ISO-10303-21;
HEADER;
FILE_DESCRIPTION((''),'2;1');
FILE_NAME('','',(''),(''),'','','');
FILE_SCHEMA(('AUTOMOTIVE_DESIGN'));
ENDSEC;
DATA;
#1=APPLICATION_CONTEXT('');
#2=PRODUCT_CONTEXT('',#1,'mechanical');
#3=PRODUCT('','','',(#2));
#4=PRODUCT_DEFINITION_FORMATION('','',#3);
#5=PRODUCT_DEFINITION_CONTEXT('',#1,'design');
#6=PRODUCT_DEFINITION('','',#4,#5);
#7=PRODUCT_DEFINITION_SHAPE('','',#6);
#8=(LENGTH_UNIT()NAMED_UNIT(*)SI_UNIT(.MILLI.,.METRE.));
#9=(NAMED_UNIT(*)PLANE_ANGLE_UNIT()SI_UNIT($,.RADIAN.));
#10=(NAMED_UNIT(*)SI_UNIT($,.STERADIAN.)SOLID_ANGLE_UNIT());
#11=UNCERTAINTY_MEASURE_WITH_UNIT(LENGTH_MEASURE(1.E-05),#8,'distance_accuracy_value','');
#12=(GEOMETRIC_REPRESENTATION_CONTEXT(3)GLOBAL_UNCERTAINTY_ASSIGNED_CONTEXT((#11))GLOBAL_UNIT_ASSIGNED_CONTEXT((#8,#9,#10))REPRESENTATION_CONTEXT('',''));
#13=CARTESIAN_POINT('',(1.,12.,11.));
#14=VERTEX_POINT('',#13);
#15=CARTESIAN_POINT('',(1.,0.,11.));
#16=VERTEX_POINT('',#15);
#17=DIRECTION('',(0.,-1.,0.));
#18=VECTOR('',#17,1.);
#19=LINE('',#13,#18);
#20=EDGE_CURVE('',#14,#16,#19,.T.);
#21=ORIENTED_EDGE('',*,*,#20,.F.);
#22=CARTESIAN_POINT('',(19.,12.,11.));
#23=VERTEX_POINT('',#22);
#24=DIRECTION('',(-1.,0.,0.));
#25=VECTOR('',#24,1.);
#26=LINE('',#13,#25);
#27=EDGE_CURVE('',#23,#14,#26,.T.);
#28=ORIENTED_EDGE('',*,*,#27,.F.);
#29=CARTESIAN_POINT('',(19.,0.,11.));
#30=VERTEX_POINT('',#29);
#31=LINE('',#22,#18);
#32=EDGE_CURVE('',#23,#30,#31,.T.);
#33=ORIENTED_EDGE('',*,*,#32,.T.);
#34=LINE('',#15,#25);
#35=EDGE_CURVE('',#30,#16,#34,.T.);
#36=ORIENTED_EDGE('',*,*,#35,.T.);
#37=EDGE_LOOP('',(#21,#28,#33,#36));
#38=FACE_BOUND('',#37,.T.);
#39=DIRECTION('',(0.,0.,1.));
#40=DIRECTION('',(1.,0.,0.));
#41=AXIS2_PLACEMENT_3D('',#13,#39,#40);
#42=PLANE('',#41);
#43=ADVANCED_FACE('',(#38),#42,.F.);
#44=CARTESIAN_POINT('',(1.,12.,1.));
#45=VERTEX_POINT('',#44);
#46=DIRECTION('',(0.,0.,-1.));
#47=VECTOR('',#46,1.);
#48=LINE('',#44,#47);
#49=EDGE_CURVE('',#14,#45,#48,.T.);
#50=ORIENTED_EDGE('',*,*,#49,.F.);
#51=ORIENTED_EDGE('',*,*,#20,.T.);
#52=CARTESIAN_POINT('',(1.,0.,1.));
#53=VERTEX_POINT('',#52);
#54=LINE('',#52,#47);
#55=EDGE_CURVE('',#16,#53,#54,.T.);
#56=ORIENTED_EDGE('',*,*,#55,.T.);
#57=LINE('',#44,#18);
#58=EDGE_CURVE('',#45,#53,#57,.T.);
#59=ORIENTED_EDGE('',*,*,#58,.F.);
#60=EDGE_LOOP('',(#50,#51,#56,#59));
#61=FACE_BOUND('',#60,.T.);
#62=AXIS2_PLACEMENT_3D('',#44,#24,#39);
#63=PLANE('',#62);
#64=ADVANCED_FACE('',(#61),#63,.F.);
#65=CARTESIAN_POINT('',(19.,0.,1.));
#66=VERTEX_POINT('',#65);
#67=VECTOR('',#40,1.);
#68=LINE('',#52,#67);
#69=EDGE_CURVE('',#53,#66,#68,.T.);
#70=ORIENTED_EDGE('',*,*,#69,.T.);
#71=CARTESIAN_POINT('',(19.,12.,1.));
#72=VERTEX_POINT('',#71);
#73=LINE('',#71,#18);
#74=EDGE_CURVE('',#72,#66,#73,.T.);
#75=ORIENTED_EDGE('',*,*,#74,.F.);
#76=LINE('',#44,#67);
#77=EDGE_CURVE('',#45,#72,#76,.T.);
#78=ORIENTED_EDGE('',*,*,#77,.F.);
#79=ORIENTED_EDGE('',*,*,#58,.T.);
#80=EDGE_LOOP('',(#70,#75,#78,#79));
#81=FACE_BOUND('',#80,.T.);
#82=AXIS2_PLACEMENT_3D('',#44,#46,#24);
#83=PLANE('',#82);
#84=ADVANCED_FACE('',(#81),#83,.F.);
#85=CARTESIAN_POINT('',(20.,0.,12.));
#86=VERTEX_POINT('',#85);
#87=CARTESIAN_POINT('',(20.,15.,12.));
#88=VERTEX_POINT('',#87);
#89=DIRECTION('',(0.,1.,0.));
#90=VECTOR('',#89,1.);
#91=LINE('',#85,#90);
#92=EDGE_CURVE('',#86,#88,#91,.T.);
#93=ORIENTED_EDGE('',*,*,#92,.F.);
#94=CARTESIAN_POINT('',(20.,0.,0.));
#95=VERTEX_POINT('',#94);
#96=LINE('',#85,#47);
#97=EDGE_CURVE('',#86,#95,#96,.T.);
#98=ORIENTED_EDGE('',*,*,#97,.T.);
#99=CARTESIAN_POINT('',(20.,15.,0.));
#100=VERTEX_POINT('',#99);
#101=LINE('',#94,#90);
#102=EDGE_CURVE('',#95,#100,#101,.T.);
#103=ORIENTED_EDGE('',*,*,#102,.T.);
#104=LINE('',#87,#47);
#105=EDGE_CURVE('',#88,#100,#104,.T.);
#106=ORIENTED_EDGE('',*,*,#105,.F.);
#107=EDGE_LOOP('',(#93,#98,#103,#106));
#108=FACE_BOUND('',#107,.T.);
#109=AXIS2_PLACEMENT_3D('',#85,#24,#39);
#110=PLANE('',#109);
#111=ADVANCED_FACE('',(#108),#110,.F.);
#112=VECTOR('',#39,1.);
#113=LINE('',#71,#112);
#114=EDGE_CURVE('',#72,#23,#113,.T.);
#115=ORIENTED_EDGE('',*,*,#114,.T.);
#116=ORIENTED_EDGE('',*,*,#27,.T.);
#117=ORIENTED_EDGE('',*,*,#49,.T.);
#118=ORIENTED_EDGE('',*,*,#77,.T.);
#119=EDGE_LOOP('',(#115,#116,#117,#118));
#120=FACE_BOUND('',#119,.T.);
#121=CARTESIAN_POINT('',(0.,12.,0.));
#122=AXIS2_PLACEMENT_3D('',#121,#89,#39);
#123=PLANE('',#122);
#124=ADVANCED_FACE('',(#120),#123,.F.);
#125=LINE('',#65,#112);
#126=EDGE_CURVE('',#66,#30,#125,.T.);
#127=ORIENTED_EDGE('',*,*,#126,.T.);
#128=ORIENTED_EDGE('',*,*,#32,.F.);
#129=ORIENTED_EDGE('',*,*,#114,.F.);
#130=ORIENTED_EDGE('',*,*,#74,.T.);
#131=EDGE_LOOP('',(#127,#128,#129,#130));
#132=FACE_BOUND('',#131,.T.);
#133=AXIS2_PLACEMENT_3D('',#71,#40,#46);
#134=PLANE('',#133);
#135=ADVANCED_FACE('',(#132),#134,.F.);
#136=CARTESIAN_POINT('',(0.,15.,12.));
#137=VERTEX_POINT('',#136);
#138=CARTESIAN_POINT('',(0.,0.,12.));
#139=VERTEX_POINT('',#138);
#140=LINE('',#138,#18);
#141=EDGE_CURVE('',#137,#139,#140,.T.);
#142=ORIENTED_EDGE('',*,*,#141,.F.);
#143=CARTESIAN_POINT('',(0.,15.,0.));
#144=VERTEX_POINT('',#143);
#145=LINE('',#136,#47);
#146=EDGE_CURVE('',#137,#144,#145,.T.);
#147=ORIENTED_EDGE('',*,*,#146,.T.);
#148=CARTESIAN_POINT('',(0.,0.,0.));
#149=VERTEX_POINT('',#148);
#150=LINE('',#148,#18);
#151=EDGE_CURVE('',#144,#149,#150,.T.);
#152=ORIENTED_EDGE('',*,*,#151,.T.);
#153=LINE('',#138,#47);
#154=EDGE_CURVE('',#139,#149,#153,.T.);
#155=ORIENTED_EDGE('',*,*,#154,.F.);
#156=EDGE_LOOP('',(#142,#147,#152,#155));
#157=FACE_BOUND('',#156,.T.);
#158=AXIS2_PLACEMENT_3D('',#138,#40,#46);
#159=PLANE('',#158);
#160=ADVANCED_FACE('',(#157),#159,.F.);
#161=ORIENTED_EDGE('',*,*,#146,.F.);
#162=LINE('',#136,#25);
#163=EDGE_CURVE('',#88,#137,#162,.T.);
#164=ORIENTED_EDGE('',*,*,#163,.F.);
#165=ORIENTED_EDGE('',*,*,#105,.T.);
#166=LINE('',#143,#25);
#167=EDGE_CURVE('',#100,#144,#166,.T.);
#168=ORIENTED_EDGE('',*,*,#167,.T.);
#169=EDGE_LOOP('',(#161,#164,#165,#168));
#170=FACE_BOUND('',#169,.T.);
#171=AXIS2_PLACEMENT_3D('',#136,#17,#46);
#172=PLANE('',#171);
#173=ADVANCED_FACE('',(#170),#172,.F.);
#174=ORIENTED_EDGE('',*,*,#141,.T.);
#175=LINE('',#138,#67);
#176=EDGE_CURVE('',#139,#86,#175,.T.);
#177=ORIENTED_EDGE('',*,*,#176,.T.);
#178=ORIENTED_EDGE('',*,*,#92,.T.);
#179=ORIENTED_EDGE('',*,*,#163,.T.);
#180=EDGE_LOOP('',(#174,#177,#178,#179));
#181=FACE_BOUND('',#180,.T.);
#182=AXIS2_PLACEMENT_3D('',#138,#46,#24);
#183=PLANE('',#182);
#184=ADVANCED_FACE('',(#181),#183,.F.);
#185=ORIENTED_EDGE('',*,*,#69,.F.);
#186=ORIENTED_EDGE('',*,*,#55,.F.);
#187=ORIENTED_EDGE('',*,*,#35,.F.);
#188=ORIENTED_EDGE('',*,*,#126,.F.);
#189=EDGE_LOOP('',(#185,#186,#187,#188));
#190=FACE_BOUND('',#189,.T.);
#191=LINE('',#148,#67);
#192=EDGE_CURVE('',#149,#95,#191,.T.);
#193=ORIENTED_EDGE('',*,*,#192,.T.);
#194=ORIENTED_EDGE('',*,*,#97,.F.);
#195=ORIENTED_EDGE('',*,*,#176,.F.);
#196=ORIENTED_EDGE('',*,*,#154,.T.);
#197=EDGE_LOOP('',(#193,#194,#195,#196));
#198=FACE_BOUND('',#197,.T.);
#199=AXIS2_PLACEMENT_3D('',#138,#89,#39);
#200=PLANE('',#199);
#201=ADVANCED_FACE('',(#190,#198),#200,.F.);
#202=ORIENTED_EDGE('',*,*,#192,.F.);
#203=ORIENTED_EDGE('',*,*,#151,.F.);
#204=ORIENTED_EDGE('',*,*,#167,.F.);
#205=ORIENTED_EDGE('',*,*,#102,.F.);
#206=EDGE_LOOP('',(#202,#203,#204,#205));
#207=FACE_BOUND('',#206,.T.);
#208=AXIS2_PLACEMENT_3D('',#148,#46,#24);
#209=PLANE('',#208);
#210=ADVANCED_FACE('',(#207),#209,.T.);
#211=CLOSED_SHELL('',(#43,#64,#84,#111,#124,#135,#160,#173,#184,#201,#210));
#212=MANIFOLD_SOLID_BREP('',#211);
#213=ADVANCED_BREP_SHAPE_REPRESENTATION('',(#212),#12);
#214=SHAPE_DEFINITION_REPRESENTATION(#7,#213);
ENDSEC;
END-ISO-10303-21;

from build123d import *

# Parameters (mm, degrees)
ESQUISSE1_W             = 20
ESQUISSE1_H             = 15
BOSS_EXTRU_1_DEPTH      = 12
ESQUISSE2_W             = 18
ESQUISSE2_H             = 10
ENL_V_MAT_EXTRU_1_DEPTH = 12


with BuildPart() as part:
    # Esquisse1 → Boss.-Extru.1 (new body)
    with BuildSketch(Plane.XY):
        with Locations((10, 7.5)):
            Rectangle(ESQUISSE1_W, ESQUISSE1_H)
    extrude(amount=BOSS_EXTRU_1_DEPTH)

    # Esquisse2 → Enlèv. mat.-Extru.1 (cut)
    with BuildSketch(Plane.XZ):
        with Locations((10, 6)):
            Rectangle(ESQUISSE2_W, ESQUISSE2_H)
    extrude(amount=-ENL_V_MAT_EXTRU_1_DEPTH, mode=Mode.SUBTRACT)


solid = part.part
